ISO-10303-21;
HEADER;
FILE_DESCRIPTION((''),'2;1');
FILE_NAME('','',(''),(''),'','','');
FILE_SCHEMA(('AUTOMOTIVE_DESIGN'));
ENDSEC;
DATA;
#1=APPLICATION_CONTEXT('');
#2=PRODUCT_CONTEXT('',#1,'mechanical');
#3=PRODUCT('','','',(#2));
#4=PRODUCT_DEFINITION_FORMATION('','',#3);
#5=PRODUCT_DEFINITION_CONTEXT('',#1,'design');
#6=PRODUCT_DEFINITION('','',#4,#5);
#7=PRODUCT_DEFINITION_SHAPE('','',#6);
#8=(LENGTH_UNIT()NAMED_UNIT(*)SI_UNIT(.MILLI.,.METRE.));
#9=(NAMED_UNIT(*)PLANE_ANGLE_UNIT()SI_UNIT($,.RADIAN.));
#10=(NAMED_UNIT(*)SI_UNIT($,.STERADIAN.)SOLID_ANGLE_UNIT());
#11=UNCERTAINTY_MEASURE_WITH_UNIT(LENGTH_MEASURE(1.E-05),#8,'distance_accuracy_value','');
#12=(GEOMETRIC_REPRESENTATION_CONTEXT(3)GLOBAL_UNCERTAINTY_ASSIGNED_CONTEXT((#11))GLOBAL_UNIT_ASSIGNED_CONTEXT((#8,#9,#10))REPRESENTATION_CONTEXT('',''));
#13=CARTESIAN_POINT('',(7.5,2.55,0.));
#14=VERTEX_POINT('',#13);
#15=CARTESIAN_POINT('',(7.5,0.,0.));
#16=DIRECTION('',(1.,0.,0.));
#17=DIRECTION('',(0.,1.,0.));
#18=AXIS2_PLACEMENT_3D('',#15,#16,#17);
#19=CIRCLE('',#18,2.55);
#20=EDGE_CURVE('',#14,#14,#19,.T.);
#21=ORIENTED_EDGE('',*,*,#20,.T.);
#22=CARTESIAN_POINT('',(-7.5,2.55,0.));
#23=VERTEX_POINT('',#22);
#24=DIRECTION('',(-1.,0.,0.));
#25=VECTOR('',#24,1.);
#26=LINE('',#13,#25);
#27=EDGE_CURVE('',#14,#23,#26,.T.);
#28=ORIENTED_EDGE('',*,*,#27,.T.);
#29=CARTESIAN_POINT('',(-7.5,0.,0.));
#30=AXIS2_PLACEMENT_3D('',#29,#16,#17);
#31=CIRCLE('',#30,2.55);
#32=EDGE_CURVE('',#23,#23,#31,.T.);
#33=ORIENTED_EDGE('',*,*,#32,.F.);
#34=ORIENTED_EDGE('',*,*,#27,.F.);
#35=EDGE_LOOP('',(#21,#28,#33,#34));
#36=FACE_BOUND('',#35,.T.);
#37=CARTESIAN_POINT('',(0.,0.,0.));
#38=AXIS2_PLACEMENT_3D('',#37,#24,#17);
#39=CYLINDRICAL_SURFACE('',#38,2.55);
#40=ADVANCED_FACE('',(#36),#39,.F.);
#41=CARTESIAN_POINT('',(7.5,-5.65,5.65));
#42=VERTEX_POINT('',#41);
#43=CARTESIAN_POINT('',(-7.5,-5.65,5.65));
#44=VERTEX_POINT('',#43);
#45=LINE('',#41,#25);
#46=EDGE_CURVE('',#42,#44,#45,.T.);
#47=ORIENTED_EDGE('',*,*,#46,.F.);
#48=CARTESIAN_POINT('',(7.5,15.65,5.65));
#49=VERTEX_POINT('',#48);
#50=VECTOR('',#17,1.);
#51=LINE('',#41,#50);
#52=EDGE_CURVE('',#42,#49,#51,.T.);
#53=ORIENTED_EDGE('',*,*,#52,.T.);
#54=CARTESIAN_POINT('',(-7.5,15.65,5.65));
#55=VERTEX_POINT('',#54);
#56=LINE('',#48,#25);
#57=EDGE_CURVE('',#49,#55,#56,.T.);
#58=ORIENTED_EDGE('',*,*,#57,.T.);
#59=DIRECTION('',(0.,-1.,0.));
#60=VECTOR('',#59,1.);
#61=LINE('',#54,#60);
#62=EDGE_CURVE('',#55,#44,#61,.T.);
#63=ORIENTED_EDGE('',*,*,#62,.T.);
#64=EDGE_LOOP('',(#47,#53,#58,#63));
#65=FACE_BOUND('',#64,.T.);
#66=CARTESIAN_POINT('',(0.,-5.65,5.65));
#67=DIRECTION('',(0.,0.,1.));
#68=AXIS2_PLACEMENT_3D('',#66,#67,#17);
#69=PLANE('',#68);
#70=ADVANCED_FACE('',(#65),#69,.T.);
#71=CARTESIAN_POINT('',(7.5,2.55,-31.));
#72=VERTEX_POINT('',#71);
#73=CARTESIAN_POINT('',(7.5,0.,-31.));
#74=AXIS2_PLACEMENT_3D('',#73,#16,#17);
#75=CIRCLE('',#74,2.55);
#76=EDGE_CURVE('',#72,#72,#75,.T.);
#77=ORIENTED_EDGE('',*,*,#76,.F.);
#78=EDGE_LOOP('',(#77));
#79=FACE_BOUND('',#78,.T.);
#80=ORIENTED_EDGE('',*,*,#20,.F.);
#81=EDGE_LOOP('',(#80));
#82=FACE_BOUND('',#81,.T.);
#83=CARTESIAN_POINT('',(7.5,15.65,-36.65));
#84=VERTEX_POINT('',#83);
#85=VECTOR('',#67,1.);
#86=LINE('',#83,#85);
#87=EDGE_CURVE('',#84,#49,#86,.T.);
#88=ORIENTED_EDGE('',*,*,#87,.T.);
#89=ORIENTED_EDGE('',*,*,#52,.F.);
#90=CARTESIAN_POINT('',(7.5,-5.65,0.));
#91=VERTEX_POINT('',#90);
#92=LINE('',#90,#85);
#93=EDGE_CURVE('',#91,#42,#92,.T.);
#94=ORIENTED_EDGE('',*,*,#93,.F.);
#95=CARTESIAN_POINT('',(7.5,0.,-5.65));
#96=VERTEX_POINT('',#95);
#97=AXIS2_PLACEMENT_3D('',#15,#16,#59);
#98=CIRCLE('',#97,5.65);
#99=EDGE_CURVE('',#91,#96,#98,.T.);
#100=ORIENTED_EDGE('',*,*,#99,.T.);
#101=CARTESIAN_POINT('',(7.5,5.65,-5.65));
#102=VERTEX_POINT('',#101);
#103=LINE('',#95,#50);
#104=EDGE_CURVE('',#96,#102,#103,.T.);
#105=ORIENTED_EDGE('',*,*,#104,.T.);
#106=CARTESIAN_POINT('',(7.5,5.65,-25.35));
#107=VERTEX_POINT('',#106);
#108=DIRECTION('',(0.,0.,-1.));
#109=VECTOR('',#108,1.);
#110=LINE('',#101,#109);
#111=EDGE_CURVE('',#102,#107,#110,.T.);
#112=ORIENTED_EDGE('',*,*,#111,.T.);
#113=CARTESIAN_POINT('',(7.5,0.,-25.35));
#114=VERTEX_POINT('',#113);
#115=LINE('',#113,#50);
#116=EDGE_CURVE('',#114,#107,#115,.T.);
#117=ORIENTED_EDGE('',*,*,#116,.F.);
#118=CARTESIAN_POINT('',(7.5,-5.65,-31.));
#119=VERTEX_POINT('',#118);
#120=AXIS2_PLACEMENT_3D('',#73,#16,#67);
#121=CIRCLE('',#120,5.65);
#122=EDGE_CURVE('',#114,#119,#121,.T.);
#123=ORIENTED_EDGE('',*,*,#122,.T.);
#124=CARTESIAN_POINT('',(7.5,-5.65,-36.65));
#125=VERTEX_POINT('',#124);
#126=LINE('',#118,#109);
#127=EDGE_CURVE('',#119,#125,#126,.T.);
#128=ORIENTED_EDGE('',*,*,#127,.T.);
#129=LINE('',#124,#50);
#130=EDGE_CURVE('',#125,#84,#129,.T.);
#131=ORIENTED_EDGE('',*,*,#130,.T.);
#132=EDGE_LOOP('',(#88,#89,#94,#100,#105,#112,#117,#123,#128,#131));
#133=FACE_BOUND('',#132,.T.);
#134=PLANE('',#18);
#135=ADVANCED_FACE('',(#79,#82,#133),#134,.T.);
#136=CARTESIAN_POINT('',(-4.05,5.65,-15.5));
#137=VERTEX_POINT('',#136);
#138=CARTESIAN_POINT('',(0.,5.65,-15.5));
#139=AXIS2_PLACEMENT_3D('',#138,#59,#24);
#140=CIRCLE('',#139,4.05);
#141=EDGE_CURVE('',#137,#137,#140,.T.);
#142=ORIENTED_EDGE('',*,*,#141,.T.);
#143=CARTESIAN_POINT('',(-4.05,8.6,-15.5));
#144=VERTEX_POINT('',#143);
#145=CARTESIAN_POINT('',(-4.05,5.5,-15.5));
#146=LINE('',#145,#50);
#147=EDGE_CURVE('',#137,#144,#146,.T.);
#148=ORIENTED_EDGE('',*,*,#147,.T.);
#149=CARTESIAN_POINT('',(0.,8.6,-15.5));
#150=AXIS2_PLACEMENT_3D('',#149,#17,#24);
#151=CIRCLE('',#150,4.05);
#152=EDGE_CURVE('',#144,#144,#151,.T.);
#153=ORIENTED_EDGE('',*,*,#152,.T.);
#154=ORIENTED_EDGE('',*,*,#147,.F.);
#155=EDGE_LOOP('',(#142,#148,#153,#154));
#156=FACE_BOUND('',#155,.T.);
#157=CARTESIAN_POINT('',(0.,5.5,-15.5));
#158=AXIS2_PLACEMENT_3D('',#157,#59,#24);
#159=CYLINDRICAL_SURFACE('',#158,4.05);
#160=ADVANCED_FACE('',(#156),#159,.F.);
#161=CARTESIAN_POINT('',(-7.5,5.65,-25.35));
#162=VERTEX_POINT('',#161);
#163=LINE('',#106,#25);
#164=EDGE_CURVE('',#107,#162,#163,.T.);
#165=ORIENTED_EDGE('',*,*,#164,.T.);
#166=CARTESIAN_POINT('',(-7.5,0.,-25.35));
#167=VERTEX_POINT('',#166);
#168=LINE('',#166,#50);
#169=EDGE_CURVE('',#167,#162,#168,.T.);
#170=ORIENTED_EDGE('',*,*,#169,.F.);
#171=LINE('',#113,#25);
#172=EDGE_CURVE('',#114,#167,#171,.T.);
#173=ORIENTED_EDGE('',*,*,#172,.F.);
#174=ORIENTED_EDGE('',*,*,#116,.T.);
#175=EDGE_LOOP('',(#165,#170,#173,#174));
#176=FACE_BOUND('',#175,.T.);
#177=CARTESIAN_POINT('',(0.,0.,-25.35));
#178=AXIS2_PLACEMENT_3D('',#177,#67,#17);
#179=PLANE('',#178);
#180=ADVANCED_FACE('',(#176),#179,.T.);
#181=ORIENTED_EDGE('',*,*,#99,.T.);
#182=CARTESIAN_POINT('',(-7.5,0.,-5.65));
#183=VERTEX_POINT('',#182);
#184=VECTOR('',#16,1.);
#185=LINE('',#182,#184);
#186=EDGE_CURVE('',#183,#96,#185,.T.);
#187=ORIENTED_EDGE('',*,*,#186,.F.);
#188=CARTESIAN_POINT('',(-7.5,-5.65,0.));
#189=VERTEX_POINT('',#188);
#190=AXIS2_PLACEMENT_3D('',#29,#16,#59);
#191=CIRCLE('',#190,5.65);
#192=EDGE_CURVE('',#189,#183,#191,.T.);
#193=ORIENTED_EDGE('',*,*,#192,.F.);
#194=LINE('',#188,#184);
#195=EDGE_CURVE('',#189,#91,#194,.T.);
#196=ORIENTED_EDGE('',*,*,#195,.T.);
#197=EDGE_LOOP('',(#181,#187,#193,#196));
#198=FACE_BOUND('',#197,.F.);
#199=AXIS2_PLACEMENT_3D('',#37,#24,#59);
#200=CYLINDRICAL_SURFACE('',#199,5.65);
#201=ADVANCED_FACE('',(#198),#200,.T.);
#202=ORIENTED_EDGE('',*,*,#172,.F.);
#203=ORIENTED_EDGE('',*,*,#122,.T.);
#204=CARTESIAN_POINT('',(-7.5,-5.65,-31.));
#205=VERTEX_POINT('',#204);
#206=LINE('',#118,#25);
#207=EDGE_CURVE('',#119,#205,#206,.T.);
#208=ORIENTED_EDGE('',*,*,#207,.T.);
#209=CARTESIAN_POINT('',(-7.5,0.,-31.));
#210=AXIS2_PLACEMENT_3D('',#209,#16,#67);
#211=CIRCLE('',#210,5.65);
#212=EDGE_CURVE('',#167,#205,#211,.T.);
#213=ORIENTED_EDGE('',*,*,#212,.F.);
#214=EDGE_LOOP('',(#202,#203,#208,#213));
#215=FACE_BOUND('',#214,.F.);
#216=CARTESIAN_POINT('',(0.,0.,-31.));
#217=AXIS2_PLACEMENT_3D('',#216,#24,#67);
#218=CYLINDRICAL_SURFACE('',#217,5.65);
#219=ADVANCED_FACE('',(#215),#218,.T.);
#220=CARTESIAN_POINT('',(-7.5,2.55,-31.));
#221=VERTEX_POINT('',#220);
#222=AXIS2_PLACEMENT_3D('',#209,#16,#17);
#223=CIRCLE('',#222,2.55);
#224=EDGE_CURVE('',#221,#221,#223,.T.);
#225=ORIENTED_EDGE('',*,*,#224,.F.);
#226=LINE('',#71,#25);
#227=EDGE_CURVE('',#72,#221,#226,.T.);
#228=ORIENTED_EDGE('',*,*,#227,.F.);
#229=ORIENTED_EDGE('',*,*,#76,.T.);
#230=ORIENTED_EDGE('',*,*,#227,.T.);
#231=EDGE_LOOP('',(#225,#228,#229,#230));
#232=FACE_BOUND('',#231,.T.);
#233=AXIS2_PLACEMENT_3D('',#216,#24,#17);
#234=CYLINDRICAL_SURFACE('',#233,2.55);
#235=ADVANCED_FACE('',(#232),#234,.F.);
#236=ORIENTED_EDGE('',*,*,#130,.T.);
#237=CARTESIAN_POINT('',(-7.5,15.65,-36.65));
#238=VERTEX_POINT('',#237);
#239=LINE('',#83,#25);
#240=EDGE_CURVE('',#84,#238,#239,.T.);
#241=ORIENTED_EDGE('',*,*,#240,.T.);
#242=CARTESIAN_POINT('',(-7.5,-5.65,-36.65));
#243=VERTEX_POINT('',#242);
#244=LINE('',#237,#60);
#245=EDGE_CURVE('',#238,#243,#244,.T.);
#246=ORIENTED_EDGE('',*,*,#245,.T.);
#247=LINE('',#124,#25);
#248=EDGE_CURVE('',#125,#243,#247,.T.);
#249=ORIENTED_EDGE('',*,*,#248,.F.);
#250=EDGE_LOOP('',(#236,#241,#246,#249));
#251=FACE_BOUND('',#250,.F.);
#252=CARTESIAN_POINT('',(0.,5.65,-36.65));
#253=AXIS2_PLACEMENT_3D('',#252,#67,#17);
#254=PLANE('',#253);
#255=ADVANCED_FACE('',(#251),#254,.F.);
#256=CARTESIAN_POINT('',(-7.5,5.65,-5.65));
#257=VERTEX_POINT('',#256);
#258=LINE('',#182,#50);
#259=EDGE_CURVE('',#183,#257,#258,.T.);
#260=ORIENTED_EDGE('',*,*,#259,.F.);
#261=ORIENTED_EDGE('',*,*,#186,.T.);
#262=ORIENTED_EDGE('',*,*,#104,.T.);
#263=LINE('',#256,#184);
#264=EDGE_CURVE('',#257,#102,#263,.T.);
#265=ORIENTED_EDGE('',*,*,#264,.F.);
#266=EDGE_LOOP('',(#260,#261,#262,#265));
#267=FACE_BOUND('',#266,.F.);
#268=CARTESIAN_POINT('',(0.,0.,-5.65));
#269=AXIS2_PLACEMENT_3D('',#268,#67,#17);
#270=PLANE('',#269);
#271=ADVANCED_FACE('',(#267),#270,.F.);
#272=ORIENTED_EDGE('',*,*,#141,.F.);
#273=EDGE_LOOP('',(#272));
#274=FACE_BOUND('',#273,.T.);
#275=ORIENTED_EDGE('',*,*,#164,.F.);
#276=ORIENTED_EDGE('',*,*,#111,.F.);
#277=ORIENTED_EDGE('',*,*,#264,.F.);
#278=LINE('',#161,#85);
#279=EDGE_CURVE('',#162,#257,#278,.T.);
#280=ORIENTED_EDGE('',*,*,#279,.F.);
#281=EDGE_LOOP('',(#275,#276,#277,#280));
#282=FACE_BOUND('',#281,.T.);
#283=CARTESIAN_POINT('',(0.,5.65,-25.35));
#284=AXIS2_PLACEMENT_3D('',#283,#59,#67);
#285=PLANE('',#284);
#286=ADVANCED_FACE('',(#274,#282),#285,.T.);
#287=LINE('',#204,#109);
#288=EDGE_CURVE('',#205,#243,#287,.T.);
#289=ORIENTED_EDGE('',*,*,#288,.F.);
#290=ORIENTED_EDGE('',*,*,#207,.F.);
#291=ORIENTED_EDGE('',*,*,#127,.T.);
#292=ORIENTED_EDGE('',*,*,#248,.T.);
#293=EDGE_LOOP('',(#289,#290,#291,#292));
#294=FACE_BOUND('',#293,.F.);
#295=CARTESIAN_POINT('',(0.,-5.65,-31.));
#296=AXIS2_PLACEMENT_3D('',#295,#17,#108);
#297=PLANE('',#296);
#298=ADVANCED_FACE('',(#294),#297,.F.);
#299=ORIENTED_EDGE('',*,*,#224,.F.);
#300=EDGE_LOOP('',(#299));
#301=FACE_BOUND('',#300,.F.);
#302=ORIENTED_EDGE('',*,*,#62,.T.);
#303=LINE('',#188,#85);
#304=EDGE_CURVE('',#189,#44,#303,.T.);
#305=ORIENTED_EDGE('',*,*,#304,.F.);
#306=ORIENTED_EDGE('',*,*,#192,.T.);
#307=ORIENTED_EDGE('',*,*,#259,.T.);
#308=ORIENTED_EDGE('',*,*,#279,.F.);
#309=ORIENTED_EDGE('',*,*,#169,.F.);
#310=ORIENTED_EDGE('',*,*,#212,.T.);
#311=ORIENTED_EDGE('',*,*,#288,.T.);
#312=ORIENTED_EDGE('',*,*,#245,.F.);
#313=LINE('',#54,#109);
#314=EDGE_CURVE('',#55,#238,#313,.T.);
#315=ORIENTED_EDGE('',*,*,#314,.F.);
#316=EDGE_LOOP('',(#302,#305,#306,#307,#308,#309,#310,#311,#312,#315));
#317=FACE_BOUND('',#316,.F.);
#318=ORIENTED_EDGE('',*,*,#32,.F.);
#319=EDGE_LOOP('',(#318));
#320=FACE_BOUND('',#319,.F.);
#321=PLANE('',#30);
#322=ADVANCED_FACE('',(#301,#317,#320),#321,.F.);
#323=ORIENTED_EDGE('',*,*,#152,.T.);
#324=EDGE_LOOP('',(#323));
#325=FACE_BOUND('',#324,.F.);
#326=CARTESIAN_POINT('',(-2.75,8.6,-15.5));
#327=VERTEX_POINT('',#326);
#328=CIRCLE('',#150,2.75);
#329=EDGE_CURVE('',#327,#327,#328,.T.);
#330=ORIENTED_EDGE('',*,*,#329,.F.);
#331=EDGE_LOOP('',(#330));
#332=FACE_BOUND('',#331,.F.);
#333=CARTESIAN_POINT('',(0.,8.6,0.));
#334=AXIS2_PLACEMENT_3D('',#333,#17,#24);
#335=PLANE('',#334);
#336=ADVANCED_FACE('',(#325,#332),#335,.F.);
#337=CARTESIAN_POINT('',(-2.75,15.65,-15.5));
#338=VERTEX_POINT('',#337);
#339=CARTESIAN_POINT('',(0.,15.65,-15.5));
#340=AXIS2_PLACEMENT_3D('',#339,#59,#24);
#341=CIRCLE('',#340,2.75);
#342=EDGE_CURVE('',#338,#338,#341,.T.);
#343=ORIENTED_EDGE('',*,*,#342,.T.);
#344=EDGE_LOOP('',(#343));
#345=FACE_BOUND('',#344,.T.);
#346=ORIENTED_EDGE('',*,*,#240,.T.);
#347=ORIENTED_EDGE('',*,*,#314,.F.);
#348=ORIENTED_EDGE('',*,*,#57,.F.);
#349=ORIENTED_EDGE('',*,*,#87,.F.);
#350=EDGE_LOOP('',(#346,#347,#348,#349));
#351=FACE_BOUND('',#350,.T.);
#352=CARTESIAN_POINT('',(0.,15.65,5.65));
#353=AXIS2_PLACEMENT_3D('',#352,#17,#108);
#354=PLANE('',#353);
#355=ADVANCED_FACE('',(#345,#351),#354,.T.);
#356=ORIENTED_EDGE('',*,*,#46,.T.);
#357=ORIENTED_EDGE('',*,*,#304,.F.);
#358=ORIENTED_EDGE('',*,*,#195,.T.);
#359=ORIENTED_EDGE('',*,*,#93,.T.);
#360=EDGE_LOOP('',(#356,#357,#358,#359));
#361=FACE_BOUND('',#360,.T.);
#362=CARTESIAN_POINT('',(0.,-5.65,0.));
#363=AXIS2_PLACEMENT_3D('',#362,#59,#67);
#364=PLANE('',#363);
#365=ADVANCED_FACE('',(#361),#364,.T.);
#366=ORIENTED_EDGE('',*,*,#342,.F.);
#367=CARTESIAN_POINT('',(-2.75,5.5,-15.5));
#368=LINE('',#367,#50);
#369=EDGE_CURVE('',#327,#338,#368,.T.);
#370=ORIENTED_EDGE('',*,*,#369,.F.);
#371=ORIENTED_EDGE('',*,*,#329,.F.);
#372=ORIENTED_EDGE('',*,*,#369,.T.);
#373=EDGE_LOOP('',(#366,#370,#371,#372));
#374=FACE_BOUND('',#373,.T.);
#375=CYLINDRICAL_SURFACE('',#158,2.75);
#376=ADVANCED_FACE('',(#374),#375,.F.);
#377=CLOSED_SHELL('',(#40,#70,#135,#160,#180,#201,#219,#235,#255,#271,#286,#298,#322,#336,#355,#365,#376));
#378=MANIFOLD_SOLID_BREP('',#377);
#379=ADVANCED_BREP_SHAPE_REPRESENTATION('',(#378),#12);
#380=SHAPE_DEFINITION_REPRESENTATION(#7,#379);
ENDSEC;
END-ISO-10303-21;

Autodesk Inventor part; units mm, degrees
ref_plane "YZ Plane" through (0, 0, 0) normal (1, 0, 0) x (0, 1, 0)
ref_plane "XY Plane" through (0, 0, 0) normal (0, 0, 1) x (1, 0, 0)
sketch "Sketch3" plane through (0, 0, 0) normal (1, 0, 0) x (0, 1, 0)
  circle A0 centre (0, 0) radius 5.65 construction
  line L0 (-5.65, 0) -> (-5.65, 5.65)
  line L1 (0, -5.65) -> (5.65, -5.65)
  arc A1 (-5.65, 0) -> (0, -5.65) centre (0, 0) ccw
  line L2 (-5.65, 5.65) -> (5.65, 5.65)
  line L3 (5.65, -15.5) -> (-5.65, -15.5) construction
  line L4 (5.65, 5.65) -> (15.65, 5.65)
  line L5 (15.65, 5.65) -> (15.65, -15.5)
  line L6 (5.65, -5.65) -> (5.65, -15.5)
  line L7 (15.65, -15.5) -> (5.65, -15.5) construction
  circle A2 centre (0, 0) radius 2.55
  line L8 (-5.65, -31) -> (-5.65, -36.65)
  arc A3 (0, -25.35) -> (-5.65, -31) centre (0, -31) ccw
  line L9 (0, -25.35) -> (5.65, -25.35)
  line L10 (-5.65, -36.65) -> (5.65, -36.65)
  line L11 (5.65, -36.65) -> (15.65, -36.65)
  line L12 (15.65, -36.65) -> (15.65, -15.5)
  line L13 (5.65, -25.35) -> (5.65, -15.5)
  circle A4 centre (0, -31) radius 2.55
  dimension "d19" = 11.3
  dimension "d20" = 5.65
  dimension "d23" = 10
  dimension "d24" = 10
  dimension "d25" = 11.3
  dimension "d26" = 5.1
  dimension "d36" = 21.15
ref_plane "Work Plane1" through (0, 5.5, 0) normal (0, 1, 0) x (-1, 0, 0)
extrude "Extrusion5" add sketch "Sketch3" along normal mid plane 15
sketch "Sketch5" plane through (0, 5.5, 0) normal (0, 1, 0) x (-1, 0, 0)
  line L0 (7.5, -25.35) -> (-7.5, -25.35) construction
  line L1 (-7.5, -5.65) -> (-7.5, -25.35) construction
  line L2 (-7.5, -5.65) -> (7.5, -5.65) construction
  line L3 (7.5, -25.35) -> (7.5, -5.65) construction
  line L4 (-7.5, -5.65) -> (-7.5, -25.35) construction
  line L5 (-7.5, -15.5) -> (7.5, -15.5) construction
  line L6 (-7.5, -5.65) -> (7.5, -5.65) construction
  line L7 (0, -5.65) -> (0, -25.35) construction
  circle A0 centre (0, -15.5) radius 4.05
  circle A1 centre (0, -15.5) radius 2.75
  point P0 (0, 0)
  dimension "d40" = 8.1
  dimension "d41" = 5.5
extrude "Extrusion6" cut sketch "Sketch5" along normal through all both and the other way through all contours A1
extrude "Extrusion7" cut sketch "Sketch5" along normal blind 3.1
properties part number "sostenedor_part2"
